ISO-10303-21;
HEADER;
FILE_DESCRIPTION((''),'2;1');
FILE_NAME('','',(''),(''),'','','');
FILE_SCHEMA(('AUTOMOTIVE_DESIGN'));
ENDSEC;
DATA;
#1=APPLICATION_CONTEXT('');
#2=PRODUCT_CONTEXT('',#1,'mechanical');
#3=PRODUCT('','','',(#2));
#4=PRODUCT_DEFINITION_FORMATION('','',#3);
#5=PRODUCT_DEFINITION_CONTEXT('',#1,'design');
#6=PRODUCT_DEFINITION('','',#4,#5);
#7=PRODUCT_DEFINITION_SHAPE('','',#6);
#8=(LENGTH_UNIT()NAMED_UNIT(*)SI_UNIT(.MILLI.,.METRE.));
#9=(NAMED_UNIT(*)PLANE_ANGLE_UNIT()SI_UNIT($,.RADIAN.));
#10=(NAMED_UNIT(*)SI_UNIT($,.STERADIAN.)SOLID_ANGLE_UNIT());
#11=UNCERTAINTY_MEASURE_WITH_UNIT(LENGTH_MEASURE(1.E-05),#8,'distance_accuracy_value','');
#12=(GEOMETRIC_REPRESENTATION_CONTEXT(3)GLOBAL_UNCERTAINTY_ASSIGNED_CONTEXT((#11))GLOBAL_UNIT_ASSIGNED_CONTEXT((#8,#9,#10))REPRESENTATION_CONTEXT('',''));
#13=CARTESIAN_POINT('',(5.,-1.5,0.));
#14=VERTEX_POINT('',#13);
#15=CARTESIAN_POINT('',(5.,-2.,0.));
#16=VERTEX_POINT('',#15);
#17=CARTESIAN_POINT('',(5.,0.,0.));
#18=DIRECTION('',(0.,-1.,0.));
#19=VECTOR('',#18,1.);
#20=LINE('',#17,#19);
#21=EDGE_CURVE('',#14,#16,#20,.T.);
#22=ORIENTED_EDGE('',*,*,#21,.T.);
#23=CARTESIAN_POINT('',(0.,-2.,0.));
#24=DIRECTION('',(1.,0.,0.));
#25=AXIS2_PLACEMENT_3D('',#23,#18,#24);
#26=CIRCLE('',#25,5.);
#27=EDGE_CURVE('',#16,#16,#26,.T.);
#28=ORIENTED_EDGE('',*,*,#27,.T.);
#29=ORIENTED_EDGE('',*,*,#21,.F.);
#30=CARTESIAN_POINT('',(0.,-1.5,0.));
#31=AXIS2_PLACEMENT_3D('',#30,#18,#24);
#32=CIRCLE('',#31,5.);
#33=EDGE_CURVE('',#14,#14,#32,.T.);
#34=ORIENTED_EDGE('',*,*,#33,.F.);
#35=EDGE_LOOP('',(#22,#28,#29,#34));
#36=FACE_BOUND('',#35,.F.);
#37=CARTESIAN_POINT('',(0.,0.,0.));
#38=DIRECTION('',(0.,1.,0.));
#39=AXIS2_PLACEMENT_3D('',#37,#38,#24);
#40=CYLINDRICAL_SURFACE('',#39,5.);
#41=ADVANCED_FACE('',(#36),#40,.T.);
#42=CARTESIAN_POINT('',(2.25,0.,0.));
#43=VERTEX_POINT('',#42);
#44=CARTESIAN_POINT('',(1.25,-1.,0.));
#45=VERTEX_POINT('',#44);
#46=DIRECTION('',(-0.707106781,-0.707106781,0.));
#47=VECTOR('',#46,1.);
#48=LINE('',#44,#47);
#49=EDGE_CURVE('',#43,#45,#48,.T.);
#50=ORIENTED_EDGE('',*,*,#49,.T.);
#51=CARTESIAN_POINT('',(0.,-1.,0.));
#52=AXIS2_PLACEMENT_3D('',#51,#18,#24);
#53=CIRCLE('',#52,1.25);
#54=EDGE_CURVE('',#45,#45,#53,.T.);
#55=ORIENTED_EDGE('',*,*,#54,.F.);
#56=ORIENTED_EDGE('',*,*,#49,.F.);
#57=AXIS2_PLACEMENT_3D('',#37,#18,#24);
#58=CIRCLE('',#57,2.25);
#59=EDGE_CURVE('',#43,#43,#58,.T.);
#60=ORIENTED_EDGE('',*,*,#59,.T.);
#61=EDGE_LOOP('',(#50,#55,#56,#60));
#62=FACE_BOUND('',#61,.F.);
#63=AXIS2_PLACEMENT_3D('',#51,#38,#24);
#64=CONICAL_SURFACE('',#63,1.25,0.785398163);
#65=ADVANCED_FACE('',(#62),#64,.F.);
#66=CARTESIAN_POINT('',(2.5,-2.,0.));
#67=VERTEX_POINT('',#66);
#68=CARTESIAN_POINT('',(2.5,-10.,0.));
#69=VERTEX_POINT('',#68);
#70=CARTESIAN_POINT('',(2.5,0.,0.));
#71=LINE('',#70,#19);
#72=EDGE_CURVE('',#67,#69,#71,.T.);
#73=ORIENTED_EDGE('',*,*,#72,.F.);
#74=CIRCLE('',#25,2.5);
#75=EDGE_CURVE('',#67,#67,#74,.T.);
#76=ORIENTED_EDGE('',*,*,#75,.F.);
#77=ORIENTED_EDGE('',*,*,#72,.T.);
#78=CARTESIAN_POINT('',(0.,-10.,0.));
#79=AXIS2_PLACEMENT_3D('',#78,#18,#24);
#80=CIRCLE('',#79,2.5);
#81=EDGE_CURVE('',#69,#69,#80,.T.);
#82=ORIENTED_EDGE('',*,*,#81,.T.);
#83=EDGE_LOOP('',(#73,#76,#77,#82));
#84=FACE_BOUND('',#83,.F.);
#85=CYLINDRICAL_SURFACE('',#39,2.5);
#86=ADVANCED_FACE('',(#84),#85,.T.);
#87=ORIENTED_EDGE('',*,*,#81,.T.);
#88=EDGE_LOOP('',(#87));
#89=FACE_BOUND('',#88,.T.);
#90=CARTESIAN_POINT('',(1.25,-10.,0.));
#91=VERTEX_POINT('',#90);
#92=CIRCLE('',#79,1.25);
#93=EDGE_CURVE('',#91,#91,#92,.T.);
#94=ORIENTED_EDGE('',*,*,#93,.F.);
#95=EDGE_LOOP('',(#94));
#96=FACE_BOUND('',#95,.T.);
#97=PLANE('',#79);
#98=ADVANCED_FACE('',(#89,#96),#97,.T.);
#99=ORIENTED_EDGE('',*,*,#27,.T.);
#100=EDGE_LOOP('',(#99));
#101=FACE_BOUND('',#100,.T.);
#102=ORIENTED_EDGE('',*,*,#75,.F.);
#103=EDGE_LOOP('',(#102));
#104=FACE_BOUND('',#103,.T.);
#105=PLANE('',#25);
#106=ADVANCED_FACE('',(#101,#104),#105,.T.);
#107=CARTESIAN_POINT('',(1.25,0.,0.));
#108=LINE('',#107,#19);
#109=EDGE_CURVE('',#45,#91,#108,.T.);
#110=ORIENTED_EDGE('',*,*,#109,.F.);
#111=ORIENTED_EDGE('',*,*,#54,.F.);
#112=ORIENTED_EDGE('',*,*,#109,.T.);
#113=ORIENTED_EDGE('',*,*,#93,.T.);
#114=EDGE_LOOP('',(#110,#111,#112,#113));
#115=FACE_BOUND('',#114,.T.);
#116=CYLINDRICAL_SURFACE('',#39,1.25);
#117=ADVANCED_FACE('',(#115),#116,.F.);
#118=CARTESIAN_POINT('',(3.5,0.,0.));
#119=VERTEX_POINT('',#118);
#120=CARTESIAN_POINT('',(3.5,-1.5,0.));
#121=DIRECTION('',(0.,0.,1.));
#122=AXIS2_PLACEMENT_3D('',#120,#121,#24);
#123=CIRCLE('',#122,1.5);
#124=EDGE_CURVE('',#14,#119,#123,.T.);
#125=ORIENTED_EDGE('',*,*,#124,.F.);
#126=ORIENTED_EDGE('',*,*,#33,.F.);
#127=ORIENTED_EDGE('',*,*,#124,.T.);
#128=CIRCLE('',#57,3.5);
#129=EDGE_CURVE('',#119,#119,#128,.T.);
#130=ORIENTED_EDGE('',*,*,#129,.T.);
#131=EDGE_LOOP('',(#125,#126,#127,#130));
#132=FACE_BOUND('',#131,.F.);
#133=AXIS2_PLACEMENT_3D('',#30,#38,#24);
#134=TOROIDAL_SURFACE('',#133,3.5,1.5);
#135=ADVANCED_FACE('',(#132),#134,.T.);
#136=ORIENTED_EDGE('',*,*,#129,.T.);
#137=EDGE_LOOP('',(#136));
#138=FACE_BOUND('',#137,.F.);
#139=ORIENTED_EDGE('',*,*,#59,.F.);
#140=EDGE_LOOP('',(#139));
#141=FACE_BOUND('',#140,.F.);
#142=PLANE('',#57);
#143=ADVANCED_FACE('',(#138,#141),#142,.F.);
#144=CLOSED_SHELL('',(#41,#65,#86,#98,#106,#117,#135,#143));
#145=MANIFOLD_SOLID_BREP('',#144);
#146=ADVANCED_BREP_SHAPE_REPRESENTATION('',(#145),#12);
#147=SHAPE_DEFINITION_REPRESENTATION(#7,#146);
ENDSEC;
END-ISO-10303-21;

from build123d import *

# Parameters (mm, degrees)
F0_R     = 2.5
F0_R_2   = 1.25
F1_DEPTH = 10
F0_R_3   = 5
F2_DEPTH = 2
F3_R     = 1.5
F4_SIZE  = 1


with BuildPart() as f1:
    # F0 (on Front) → F1 (new body)
    with BuildSketch(Plane.XZ):
        Circle(F0_R)
        Circle(F0_R_2, mode=Mode.SUBTRACT)
    extrude(amount=F1_DEPTH)

    # F0 (on Front) → F2 (join)
    with BuildSketch(Plane.XZ):
        Circle(F0_R_3)
        Circle(F0_R, mode=Mode.SUBTRACT)
    extrude(amount=F2_DEPTH)

    # F3
    f3_edges = [f1.edges().sort_by_distance(p)[0] for p in [
        (-5, 0, 0),
    ]]
    fillet(f3_edges, radius=F3_R)

    # F4
    f4_edges = [f1.edges().sort_by_distance(p)[0] for p in [
        (-1.25, 0, 0),
    ]]
    chamfer(f4_edges, length=F4_SIZE)


solid = f1.part
